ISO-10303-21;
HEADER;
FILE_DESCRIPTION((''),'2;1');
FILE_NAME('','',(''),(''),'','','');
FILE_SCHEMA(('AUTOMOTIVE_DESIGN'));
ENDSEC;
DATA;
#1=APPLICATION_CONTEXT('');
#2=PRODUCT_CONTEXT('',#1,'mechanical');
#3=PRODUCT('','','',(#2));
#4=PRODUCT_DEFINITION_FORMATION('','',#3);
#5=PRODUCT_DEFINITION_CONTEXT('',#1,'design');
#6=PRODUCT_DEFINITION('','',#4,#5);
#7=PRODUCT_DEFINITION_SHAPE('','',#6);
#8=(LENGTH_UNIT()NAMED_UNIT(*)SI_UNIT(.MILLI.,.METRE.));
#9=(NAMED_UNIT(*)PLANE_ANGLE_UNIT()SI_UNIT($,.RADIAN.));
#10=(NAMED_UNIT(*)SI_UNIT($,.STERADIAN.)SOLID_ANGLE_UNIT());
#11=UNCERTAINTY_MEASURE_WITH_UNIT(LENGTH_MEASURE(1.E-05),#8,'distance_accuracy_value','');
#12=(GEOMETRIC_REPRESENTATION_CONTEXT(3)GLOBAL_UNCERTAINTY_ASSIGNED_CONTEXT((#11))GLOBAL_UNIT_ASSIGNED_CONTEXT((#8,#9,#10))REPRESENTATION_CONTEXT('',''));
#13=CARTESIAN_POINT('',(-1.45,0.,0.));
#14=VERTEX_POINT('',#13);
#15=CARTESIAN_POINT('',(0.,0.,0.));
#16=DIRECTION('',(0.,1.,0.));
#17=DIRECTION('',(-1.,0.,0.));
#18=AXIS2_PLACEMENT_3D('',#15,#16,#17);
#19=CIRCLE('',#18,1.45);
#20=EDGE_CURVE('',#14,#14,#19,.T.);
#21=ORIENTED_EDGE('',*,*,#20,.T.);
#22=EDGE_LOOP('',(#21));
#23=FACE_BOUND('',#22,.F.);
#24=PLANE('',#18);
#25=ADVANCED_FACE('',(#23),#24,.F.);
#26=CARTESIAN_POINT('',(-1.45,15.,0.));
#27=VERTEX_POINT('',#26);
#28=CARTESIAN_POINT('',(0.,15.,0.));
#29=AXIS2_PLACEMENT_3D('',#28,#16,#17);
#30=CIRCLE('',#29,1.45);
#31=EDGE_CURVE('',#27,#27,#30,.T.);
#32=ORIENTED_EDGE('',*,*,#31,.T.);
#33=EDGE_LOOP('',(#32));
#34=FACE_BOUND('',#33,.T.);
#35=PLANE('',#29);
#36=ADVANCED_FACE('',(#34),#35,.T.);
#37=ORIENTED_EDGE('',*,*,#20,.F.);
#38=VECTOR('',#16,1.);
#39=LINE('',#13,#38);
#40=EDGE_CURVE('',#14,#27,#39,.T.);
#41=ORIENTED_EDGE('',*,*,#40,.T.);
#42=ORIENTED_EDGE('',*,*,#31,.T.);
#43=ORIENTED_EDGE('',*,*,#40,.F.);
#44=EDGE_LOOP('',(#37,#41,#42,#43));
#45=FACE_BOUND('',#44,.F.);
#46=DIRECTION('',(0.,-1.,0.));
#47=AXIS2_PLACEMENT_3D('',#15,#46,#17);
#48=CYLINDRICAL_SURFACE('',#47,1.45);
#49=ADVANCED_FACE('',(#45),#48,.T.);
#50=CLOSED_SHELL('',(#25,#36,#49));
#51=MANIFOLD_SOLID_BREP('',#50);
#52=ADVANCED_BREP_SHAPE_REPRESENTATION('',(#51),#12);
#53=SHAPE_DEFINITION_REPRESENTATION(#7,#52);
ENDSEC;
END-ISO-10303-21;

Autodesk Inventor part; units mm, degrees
ref_plane "YZ Plane" through (0, 0, 0) normal (1, 0, 0) x (0, 1, 0)
ref_plane "XZ Plane" through (0, 0, 0) normal (0, 1, 0) x (-1, 0, 0)
ref_plane "XY Plane" through (0, 0, 0) normal (0, 0, 1) x (1, 0, 0)
sketch "Sketch1" plane through (0, 0, 0) normal (0, 1, 0) x (-1, 0, 0)
  circle A0 centre (0, 0) radius 1.45
  dimension "d6" = 2.9
extrude "Extrusion1" add sketch "Sketch1" along normal blind 15
properties part number "bolt"
